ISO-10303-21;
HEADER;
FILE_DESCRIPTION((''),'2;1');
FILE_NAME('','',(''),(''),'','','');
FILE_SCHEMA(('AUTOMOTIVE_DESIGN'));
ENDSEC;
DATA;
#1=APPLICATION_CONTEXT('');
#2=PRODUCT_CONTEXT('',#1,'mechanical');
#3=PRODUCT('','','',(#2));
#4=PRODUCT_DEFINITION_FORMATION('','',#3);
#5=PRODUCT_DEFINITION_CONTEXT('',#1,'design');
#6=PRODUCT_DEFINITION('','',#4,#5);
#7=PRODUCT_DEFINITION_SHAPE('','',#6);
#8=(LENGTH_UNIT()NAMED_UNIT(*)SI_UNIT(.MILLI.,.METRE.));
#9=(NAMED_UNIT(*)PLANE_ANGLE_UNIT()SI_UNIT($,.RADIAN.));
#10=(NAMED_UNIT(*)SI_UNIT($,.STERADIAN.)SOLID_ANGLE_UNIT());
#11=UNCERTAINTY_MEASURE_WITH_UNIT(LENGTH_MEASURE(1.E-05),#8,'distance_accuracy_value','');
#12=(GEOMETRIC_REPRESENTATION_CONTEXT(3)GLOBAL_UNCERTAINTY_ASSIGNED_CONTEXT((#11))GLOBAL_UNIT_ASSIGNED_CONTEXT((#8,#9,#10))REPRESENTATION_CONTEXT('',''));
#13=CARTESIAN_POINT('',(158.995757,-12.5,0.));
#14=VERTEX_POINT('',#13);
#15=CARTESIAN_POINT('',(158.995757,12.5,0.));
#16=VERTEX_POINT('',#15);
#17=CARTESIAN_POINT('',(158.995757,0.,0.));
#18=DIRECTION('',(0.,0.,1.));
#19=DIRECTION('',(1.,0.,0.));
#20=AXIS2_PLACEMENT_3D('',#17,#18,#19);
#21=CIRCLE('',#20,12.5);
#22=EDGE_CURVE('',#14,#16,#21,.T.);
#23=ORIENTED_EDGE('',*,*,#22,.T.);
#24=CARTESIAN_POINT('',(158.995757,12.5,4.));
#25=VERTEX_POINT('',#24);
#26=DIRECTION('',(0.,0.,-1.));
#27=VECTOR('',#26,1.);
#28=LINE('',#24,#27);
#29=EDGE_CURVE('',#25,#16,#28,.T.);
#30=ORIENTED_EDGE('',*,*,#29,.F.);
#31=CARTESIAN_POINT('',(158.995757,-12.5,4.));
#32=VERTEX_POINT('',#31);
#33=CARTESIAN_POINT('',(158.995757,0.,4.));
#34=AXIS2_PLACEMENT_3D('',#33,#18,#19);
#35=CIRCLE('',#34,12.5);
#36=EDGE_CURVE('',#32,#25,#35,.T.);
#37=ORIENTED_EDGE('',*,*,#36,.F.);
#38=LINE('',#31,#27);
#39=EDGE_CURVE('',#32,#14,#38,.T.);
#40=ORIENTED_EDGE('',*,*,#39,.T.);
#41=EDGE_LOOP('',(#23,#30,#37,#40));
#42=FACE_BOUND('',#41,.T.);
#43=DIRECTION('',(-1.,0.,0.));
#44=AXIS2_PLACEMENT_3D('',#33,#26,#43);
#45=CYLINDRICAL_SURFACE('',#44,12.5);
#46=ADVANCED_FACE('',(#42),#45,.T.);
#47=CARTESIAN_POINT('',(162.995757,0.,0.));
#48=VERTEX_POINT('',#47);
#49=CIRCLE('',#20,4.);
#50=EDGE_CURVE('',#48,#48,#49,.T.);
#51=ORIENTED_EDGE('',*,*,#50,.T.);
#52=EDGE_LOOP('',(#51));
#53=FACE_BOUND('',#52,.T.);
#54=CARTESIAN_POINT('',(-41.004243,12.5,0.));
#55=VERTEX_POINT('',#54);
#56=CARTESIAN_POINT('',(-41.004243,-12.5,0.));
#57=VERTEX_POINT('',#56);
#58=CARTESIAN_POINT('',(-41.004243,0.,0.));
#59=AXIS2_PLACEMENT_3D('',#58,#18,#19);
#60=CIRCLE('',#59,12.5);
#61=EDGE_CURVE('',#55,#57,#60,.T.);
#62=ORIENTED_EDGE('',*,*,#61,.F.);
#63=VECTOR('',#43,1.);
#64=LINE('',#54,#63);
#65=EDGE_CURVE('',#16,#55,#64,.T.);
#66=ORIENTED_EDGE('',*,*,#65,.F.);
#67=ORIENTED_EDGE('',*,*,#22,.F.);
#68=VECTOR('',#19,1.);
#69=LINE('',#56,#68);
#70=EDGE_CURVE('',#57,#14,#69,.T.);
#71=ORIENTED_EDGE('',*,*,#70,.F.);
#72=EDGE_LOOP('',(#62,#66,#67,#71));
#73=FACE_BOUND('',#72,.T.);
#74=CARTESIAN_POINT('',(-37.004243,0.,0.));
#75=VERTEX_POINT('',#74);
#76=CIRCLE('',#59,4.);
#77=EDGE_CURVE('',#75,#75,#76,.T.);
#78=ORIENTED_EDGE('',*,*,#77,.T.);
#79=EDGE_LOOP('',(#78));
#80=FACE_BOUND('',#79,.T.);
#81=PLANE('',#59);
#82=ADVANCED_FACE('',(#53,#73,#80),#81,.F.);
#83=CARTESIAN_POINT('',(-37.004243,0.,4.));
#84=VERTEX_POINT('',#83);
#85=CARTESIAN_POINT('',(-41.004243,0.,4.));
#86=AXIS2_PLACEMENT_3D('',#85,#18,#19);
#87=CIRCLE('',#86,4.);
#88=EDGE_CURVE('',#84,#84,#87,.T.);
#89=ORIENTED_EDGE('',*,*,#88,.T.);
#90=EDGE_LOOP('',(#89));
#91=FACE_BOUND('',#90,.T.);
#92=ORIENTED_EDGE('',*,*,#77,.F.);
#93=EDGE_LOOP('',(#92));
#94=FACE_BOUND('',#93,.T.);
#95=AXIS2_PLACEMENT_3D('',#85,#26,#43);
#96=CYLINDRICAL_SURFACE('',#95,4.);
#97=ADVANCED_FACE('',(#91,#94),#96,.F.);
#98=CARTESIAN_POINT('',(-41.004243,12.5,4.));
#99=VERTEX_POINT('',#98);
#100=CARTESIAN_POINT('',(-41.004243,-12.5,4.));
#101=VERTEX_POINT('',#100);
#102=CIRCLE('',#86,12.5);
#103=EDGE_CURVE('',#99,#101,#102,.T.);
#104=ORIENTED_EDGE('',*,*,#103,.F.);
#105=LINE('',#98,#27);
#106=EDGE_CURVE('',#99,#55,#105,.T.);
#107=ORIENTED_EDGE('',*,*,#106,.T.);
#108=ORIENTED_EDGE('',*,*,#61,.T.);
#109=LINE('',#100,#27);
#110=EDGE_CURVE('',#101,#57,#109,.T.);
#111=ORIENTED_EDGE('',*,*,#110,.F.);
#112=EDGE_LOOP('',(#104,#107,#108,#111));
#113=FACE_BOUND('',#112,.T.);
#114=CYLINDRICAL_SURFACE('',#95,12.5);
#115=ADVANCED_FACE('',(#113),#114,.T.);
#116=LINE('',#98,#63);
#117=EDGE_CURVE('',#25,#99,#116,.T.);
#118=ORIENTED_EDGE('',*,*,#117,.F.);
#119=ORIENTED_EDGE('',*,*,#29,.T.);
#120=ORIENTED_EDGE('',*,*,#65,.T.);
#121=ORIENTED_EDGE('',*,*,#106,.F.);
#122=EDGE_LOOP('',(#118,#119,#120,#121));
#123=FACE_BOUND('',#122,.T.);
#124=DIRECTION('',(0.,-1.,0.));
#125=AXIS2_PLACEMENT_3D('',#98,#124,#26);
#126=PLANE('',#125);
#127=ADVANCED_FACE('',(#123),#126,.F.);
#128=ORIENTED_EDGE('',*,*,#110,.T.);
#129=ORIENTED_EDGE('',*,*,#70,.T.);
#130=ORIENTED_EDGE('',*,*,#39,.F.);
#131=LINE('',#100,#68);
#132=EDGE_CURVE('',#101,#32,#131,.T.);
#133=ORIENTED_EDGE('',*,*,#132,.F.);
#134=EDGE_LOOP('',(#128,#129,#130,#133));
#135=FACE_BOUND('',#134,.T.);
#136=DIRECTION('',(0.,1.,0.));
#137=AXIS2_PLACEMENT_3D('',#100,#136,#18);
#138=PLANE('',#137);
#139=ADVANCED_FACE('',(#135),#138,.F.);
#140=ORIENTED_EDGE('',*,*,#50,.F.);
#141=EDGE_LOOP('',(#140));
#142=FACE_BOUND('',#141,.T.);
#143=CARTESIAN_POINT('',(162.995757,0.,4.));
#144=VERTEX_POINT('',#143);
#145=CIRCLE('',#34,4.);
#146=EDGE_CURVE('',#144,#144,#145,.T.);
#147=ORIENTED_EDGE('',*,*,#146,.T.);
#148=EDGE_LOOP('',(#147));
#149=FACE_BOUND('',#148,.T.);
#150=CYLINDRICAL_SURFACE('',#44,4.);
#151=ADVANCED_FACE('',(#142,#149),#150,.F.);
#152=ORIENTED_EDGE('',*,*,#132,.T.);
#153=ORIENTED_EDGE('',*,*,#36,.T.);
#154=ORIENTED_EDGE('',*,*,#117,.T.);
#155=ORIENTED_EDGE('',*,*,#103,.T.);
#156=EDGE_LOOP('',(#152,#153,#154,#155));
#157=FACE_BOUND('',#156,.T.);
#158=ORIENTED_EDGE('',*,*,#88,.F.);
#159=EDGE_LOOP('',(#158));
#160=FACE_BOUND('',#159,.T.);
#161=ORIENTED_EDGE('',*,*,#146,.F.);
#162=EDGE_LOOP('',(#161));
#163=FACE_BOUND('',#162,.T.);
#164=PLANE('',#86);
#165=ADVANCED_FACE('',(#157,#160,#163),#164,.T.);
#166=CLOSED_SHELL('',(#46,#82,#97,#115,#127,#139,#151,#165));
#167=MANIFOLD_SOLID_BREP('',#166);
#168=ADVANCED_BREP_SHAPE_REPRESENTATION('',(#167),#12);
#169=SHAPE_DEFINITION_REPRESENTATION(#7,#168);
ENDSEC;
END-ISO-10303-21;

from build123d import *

# Parameters (mm, degrees)
SKETCH1_R           = 4
BOSS_EXTRUDE1_DEPTH = 4


with BuildPart() as part:
    # Sketch1 → Boss-Extrude1 (new body)
    with BuildSketch(Plane.XY):
        with BuildLine():
            Line((-41.004243227, 12.5), (158.995756773, 12.5))
            ThreePointArc((158.995756773, 12.5), (171.495756773, 0), (158.995756773, -12.5))
            Line((158.995756773, -12.5), (-41.004243227, -12.5))
            ThreePointArc((-41.004243227, -12.5), (-53.504243227, 0), (-41.004243227, 12.5))
        make_face()
        with Locations((-41.004243227, 0)):
            Circle(SKETCH1_R, mode=Mode.SUBTRACT)
        with Locations((158.995756773, 0)):
            Circle(SKETCH1_R, mode=Mode.SUBTRACT)
    extrude(amount=BOSS_EXTRUDE1_DEPTH)


solid = part.part
